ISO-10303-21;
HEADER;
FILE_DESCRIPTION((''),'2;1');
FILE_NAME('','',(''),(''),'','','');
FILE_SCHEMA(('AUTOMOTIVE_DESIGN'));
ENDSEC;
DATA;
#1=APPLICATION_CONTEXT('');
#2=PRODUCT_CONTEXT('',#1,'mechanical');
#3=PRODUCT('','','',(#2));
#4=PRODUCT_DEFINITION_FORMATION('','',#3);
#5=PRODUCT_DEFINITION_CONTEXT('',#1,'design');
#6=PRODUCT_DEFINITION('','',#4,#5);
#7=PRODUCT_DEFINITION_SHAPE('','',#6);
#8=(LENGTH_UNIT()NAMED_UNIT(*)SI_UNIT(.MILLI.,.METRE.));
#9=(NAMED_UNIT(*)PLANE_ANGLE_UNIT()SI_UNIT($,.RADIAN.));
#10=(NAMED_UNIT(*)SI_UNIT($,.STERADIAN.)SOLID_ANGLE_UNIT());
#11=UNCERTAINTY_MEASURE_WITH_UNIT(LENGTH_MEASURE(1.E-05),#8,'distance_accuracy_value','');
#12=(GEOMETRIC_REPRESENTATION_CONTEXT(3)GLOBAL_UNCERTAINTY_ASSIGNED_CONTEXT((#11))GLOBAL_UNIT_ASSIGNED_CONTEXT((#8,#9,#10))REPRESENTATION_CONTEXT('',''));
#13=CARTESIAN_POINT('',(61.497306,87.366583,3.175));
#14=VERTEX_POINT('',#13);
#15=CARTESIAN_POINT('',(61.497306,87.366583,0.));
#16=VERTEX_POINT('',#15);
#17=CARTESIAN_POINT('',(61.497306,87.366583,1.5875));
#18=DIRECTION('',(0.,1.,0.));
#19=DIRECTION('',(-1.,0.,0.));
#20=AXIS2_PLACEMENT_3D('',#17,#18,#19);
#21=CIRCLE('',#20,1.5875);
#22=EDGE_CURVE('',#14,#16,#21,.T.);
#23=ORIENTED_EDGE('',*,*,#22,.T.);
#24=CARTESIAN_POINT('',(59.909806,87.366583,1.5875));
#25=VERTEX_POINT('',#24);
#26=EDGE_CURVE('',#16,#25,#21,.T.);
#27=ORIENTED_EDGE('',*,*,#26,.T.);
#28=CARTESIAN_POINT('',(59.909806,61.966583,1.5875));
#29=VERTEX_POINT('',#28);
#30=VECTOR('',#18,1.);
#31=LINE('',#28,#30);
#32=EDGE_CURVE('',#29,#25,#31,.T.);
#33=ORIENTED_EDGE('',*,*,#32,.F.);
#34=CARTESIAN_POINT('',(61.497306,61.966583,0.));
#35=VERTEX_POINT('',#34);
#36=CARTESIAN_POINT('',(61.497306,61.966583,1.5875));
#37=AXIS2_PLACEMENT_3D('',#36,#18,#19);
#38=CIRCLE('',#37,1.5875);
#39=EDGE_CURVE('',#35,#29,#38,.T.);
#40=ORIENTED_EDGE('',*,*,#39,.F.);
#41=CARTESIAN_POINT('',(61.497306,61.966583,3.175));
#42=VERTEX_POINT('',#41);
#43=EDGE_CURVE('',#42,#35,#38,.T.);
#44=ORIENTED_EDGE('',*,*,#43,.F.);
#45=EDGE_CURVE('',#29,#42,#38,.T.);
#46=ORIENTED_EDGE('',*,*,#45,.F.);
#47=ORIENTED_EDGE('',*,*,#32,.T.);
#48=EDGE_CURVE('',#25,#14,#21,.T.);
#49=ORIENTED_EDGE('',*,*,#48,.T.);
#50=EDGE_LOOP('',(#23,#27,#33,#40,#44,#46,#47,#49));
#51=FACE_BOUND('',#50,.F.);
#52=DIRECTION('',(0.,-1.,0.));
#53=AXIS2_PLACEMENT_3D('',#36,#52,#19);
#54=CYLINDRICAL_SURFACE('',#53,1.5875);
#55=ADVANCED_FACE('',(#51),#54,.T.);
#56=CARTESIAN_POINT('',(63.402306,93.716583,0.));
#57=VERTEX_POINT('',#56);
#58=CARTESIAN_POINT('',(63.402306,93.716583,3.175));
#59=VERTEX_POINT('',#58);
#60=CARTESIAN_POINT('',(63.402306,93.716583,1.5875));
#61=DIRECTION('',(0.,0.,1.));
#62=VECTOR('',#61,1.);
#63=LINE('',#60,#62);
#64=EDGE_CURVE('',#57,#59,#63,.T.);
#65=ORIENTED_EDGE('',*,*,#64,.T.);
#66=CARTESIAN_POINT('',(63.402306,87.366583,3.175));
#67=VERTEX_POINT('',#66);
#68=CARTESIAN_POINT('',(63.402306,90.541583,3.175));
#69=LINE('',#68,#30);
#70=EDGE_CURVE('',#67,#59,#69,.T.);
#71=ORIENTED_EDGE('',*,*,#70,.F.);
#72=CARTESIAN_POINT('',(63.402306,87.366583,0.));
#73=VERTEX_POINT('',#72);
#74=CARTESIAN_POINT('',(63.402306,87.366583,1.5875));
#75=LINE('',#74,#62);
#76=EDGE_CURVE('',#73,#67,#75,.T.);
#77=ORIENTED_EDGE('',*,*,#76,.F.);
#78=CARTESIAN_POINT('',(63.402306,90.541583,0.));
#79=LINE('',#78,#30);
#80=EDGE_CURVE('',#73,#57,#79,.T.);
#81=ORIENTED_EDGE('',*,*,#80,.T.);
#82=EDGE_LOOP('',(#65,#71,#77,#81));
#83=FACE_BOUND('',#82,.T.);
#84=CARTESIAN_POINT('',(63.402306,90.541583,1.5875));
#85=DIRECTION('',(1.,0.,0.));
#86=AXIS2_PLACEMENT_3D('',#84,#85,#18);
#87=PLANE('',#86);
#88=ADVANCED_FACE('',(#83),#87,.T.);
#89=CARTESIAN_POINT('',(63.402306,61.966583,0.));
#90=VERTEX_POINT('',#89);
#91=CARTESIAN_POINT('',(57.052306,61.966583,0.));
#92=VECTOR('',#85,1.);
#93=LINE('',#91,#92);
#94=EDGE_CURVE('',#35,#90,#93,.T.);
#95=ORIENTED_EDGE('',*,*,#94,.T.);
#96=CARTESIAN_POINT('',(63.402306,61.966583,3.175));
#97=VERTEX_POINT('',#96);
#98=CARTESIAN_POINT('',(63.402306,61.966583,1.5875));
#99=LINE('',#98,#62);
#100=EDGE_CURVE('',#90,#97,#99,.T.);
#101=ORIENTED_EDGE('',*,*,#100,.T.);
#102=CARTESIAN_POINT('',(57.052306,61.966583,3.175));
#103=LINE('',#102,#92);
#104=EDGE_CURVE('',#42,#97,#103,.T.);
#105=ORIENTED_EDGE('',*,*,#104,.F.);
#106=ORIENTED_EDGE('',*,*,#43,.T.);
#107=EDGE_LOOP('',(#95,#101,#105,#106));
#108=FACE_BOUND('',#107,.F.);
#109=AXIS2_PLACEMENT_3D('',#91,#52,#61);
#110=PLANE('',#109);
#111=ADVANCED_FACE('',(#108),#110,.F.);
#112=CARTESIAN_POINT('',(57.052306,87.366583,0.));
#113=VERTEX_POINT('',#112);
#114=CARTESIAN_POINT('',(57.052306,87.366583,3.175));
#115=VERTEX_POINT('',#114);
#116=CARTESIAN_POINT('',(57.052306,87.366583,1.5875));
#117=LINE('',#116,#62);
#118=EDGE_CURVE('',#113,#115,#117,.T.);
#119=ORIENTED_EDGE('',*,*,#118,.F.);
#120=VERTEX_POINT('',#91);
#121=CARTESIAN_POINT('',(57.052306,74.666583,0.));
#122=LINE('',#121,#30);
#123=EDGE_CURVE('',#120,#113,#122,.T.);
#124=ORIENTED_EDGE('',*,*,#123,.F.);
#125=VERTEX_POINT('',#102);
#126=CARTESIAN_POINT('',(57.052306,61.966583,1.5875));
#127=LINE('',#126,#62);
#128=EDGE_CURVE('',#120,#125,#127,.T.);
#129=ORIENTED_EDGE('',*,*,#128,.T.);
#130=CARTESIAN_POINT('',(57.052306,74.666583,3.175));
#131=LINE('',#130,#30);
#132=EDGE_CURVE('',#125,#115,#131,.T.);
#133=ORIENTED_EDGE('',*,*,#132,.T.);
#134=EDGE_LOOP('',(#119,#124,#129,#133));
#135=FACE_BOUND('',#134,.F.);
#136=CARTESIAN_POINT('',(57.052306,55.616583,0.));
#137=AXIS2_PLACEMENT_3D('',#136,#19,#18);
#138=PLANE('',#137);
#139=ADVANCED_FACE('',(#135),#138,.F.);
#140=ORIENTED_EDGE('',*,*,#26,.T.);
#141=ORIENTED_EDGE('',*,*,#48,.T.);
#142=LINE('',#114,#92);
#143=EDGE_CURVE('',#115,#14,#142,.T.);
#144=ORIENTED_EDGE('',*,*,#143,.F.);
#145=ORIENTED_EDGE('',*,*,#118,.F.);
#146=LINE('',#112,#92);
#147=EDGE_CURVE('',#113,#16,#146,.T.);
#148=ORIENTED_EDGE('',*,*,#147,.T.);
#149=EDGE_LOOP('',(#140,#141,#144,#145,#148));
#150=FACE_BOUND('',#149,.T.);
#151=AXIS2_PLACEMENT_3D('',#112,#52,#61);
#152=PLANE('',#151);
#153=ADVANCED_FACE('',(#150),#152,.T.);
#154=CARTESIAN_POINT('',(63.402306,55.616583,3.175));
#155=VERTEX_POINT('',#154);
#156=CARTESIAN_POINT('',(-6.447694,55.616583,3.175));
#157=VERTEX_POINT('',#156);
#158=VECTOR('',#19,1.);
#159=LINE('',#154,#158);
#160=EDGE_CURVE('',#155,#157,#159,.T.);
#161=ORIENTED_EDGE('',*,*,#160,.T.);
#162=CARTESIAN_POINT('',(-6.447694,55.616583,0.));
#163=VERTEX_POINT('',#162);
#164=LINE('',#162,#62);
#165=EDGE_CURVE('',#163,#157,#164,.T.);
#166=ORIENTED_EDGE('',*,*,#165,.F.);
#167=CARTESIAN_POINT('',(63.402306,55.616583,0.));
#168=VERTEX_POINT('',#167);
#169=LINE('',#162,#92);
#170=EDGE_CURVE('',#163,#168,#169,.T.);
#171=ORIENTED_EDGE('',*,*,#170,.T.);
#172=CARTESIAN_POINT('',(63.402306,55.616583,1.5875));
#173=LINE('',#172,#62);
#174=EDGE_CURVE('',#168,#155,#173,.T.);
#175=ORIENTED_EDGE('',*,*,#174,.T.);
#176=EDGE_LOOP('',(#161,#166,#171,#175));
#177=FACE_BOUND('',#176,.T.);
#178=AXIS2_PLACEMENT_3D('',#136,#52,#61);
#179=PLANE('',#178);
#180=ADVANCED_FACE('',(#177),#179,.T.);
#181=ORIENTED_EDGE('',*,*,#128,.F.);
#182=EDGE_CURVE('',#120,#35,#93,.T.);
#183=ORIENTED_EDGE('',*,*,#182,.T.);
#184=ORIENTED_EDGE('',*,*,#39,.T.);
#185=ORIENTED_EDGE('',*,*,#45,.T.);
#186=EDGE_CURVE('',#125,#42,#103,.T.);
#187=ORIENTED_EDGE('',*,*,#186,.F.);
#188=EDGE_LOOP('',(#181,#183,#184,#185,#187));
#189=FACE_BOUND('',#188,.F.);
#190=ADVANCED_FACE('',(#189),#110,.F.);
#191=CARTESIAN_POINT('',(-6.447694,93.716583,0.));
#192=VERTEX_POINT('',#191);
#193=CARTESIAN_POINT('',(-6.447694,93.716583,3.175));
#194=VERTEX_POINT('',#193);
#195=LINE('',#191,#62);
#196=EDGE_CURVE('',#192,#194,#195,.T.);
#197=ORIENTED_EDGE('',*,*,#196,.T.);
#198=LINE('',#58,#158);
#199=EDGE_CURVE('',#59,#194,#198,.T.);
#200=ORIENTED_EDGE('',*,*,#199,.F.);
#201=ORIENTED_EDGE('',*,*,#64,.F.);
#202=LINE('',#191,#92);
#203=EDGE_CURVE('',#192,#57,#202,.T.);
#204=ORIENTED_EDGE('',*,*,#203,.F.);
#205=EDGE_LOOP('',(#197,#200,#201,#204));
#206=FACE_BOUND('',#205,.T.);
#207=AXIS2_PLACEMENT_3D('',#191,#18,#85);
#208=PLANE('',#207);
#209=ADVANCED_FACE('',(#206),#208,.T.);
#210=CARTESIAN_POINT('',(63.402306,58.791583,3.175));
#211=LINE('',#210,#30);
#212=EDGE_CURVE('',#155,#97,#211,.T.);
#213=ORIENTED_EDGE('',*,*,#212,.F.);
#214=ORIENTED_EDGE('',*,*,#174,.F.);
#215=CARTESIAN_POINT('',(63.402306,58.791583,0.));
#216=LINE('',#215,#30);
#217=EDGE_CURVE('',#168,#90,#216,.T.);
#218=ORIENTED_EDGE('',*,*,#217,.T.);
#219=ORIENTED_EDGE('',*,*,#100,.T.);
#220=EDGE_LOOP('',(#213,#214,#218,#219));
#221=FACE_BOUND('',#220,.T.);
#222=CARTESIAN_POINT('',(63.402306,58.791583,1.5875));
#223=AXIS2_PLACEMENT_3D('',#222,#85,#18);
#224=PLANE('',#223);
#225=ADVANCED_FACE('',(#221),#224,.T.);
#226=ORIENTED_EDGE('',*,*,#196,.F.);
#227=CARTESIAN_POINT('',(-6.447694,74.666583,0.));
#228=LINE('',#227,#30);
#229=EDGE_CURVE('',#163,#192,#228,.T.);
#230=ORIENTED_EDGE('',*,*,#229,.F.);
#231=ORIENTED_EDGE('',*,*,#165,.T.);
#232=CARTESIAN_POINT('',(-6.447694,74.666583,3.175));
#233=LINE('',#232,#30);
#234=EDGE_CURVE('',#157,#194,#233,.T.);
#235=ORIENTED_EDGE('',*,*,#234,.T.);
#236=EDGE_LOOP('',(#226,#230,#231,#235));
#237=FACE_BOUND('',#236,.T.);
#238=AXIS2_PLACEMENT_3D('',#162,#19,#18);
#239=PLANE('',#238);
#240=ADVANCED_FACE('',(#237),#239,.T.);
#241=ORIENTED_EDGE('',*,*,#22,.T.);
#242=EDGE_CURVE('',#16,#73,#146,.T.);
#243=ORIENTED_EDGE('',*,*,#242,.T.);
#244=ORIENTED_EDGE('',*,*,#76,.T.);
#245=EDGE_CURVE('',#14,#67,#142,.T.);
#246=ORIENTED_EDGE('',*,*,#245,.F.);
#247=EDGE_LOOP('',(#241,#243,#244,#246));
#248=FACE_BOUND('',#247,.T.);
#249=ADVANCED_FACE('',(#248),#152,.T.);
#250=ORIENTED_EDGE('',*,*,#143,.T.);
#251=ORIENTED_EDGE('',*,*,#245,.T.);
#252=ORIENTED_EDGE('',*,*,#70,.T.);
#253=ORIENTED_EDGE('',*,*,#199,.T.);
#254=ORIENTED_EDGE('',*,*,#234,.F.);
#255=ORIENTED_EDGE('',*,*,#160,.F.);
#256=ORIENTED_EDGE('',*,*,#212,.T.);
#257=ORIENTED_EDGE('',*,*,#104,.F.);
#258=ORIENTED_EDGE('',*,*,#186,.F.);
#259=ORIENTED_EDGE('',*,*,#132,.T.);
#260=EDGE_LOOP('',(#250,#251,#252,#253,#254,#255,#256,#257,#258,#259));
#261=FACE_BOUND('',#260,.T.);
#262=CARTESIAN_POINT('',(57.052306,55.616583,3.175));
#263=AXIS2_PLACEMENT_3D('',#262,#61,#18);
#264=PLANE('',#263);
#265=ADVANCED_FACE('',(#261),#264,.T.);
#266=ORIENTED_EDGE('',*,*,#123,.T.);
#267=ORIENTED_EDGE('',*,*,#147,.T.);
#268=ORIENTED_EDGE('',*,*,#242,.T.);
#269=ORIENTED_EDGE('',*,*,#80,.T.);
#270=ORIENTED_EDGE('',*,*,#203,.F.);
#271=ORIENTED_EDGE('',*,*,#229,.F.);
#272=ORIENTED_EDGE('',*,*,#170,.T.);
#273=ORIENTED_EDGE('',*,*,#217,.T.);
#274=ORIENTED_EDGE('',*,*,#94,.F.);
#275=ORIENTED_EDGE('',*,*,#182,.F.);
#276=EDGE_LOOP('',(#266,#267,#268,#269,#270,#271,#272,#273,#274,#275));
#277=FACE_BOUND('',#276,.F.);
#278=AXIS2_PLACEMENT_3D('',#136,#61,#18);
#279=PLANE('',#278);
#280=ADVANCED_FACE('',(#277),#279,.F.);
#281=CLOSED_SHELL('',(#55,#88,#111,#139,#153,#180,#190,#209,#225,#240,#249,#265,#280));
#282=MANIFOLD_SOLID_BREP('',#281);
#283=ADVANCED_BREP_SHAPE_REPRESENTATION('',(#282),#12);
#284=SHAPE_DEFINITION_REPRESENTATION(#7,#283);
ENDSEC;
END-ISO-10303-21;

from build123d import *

# Parameters (mm, degrees)
F0_W     = 63.5
F0_H     = 38.1
F1_DEPTH = 3.175
F2_W     = 6.35
F2_H     = 3.175
F3_DEPTH = 6.35
F4_R     = 1.5875
F5_DEPTH = 25.4


with BuildPart() as f1:
    # F0 (on Top) → F1 (new body)
    with BuildSketch(Plane.XY):
        with Locations((25.302306, 74.666583)):
            Rectangle(F0_W, F0_H)
    extrude(amount=F1_DEPTH)

    # F2 (on face) → F3 (join)
    with BuildSketch(Plane.YZ.offset(57.052306)):
        with Locations((58.791583, 1.5875)):
            Rectangle(F2_W, F2_H)
        with Locations((90.541583, 1.5875)):
            Rectangle(F2_W, F2_H)
    extrude(amount=F3_DEPTH)

    # F4 (on face) → F5 (join)
    with BuildSketch(Plane(origin=(0, 61.966583, 0), x_dir=(-1, 0, 0), z_dir=(0, 1, 0))):
        with Locations((-61.497306, 1.5875)):
            Circle(F4_R)
    extrude(amount=F5_DEPTH)


solid = f1.part
